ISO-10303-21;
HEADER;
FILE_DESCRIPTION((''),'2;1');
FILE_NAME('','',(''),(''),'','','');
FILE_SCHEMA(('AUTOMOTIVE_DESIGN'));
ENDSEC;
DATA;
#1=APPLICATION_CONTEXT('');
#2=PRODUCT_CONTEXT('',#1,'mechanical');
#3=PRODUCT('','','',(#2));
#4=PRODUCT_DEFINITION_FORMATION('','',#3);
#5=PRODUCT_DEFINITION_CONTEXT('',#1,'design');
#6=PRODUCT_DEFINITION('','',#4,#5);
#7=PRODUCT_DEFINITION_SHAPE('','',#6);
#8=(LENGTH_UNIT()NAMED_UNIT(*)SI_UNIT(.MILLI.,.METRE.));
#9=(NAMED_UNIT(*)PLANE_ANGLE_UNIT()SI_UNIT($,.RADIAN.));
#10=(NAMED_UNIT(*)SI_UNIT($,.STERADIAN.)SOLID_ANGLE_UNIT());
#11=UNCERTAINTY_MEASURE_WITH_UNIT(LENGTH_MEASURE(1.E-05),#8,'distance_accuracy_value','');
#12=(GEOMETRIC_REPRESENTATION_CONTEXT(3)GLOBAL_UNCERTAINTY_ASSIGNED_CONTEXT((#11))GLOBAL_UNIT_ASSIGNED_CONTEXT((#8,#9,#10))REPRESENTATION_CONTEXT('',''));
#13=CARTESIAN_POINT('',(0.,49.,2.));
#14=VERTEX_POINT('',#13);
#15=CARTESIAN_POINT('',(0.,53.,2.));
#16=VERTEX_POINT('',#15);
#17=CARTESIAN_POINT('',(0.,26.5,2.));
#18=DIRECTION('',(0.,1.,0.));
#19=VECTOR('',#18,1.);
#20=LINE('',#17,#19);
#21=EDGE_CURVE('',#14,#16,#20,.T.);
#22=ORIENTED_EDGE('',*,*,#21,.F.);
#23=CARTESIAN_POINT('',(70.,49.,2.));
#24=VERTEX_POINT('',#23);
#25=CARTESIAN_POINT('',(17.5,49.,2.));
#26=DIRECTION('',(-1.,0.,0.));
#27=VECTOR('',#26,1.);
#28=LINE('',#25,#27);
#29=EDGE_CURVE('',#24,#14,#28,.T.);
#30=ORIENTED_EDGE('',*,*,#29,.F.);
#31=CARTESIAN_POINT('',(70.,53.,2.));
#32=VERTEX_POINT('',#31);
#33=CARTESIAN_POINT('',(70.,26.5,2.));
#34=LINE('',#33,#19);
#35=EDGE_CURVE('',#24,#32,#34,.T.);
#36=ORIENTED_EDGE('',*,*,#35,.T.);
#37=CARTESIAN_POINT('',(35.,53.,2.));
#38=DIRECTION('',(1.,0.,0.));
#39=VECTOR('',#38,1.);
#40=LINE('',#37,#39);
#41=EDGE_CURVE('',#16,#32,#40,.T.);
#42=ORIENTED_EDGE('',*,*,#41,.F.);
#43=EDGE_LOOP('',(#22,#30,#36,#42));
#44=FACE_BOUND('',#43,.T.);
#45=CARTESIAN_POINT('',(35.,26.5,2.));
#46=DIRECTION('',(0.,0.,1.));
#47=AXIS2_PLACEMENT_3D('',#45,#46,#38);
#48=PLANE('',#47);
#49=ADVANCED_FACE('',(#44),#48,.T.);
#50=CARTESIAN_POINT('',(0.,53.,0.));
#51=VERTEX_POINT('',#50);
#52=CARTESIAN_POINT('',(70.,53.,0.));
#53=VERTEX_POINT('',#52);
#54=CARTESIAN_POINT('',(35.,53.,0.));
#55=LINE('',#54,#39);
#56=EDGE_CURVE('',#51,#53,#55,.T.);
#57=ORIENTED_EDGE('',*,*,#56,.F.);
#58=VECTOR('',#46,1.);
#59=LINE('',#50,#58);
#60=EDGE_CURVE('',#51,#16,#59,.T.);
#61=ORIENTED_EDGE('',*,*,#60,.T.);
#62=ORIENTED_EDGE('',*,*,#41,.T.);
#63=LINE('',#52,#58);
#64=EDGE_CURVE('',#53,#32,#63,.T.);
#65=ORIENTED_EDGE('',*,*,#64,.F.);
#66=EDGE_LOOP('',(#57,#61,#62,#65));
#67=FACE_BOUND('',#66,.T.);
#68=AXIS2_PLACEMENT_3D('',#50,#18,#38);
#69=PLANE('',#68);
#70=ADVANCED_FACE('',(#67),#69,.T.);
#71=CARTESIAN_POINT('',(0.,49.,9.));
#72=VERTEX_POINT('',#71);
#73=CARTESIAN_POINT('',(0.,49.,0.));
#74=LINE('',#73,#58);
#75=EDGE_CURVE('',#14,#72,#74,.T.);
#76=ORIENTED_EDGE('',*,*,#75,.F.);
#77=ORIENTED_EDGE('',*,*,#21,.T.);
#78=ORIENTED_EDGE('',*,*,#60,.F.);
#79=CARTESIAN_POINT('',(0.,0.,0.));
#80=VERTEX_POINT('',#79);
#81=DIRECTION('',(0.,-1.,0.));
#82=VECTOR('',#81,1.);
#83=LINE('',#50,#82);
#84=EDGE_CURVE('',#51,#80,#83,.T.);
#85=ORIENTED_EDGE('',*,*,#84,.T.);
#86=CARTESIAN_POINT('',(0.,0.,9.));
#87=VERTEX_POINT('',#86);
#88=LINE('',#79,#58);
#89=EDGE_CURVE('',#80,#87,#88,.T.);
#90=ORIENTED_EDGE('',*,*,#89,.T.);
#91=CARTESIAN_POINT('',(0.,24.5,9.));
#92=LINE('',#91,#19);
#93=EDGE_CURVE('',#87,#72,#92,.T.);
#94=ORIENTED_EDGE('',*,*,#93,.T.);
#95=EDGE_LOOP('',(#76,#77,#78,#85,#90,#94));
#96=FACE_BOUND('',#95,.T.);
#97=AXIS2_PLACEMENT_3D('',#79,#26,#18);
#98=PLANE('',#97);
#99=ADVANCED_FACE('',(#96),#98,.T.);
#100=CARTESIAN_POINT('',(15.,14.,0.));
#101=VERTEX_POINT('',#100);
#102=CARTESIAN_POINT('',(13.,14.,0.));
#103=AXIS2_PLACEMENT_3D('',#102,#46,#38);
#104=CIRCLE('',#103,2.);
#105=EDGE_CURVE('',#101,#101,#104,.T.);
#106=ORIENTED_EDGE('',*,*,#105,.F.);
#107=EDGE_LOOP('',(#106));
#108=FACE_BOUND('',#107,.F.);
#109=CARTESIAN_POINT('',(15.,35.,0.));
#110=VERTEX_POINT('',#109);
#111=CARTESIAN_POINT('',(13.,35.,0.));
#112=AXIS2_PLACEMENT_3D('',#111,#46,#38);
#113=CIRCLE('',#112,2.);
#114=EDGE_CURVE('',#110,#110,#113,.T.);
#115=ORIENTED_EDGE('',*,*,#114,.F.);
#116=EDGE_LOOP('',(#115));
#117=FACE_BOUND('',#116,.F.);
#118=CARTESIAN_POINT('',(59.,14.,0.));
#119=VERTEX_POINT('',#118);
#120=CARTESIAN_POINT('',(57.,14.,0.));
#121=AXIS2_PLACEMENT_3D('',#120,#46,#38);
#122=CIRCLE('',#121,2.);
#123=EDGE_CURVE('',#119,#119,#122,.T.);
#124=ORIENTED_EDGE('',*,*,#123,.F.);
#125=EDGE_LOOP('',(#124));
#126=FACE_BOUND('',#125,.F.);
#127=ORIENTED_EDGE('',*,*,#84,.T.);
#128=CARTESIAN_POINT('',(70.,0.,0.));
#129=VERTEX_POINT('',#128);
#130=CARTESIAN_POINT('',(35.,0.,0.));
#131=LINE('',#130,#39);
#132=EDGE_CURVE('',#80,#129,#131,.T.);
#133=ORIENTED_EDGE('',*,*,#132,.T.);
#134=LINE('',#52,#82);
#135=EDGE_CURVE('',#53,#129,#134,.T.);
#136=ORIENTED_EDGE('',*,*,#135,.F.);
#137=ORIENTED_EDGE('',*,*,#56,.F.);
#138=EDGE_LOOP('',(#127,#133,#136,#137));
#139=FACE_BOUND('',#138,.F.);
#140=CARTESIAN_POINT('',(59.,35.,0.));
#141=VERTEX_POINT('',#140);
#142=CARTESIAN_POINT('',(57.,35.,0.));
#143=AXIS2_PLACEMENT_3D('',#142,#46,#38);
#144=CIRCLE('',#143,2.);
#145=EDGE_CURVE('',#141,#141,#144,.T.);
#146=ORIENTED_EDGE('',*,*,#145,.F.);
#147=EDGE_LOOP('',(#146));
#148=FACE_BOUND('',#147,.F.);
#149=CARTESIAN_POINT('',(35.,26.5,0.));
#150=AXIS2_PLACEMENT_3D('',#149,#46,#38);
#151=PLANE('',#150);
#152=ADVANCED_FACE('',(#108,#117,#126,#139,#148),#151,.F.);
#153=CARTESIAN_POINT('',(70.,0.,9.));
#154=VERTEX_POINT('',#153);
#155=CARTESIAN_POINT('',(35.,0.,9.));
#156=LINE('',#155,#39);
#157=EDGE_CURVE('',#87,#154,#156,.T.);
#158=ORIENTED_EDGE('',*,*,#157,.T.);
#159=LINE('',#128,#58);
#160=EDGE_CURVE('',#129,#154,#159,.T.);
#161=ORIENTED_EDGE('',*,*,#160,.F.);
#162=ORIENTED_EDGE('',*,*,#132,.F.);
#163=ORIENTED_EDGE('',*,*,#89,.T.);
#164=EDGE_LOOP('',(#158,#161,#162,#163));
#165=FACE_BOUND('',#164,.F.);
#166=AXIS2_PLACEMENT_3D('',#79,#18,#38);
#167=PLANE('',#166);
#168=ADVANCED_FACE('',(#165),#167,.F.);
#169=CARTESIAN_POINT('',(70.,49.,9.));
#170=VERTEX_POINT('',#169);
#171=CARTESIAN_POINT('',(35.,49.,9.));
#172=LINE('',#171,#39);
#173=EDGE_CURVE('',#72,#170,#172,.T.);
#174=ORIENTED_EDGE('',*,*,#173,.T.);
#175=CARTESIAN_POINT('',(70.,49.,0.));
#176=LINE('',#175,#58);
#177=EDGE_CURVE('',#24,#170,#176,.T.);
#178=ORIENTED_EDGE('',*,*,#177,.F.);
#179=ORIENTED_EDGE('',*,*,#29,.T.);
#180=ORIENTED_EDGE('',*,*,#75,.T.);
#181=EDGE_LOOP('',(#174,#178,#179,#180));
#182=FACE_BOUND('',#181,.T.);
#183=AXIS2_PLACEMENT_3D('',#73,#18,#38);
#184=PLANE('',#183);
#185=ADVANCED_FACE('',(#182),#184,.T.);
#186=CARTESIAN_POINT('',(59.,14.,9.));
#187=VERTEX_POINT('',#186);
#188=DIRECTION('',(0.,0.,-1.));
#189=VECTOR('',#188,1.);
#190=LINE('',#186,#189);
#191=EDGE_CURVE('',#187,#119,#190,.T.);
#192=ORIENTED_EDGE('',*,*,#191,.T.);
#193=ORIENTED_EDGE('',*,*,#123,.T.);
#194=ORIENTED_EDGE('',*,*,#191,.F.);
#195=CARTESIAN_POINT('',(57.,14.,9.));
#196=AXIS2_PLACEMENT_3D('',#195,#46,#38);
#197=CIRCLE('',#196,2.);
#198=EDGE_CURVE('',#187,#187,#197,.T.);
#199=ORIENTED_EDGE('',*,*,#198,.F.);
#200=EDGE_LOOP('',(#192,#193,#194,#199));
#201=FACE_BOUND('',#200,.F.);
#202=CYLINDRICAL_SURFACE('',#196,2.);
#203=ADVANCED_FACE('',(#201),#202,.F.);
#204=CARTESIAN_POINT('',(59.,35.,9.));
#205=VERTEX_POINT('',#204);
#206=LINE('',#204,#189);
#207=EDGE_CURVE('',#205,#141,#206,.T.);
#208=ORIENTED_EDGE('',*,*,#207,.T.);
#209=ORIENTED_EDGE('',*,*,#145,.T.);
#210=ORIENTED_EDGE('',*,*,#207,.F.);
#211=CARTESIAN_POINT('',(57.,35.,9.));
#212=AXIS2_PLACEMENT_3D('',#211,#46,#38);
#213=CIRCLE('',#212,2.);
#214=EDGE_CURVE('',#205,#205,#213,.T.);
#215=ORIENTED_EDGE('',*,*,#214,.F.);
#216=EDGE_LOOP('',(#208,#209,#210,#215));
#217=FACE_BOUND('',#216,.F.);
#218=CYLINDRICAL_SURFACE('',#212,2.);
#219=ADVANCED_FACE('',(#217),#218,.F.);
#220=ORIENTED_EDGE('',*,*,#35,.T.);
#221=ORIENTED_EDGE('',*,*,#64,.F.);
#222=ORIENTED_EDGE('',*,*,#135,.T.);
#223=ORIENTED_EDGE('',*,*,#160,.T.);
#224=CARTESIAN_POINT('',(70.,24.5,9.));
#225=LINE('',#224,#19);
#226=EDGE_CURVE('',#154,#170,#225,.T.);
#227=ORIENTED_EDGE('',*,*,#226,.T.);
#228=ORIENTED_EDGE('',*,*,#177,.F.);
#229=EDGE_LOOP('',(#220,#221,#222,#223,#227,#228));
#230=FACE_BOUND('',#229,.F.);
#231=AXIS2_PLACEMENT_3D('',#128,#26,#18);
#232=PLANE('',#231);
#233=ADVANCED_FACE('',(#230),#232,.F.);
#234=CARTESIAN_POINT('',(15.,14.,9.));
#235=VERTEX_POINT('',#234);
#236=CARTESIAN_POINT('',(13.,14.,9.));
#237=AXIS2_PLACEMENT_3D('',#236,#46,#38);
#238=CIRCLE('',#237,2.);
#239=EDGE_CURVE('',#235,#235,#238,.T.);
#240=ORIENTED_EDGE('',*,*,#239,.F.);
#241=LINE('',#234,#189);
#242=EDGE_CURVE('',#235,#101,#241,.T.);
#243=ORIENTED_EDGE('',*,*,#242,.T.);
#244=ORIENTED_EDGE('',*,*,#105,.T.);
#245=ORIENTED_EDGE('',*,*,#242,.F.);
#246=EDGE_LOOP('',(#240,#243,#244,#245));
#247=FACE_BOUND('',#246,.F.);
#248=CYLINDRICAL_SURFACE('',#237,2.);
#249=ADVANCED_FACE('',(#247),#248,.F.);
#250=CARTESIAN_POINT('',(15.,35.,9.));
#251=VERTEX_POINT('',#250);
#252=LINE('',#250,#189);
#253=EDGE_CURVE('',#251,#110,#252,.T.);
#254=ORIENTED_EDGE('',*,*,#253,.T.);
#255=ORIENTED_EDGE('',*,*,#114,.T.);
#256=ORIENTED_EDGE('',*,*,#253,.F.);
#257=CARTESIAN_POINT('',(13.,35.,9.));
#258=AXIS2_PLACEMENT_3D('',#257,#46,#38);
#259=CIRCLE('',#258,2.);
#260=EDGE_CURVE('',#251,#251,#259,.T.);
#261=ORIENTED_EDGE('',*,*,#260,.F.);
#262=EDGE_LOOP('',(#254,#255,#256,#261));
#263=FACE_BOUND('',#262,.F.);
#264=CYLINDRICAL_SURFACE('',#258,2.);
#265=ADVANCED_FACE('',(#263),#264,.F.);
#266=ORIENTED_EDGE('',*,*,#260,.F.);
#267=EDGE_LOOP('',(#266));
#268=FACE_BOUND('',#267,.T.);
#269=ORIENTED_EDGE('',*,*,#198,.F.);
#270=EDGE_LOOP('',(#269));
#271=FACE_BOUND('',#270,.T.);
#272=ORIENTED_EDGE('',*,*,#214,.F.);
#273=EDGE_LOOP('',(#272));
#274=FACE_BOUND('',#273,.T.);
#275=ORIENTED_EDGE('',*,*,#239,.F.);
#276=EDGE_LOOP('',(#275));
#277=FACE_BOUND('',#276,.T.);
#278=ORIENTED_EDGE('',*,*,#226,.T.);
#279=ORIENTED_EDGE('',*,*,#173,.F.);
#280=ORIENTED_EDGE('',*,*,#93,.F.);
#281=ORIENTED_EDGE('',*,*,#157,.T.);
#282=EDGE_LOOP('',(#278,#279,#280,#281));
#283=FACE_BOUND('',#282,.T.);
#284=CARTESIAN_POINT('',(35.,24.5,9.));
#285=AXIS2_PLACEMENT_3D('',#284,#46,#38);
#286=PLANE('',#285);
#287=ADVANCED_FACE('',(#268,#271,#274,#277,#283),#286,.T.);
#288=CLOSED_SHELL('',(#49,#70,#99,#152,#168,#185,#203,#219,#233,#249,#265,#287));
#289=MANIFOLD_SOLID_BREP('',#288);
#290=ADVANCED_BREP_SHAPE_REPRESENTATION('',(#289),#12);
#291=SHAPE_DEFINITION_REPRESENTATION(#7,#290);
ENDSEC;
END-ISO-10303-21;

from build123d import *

# Parameters (mm, degrees)
BOX001_W     = 70
BOX001_H     = 49
BOX001_DEPTH = 9
BOX_W        = 70
BOX_H        = 53
BOX_DEPTH    = 2
SKETCH_R     = 2
POCKET_DEPTH = 9.001


with BuildPart() as cube001:
    # Box001 → Box001 (new body)
    with BuildSketch(Plane.XY):
        with Locations((35, 24.5)):
            Rectangle(BOX001_W, BOX001_H)
    extrude(amount=BOX001_DEPTH)


with BuildPart() as pocket:
    # Box → Box (new body)
    with BuildSketch(Plane.XY):
        with Locations((35, 26.5)):
            Rectangle(BOX_W, BOX_H)
    extrude(amount=BOX_DEPTH)

    # Fusion: union Cube001
    add(cube001.part)

    # Sketch → Pocket (cut, through all)
    with BuildSketch(Plane.XY.offset(9)):
        with Locations((13, 14)):
            Circle(SKETCH_R)
        with Locations((13, 35)):
            Circle(SKETCH_R)
        with Locations((57, 35)):
            Circle(SKETCH_R)
        with Locations((57, 14)):
            Circle(SKETCH_R)
    extrude(amount=-POCKET_DEPTH, mode=Mode.SUBTRACT)


solid = pocket.part
